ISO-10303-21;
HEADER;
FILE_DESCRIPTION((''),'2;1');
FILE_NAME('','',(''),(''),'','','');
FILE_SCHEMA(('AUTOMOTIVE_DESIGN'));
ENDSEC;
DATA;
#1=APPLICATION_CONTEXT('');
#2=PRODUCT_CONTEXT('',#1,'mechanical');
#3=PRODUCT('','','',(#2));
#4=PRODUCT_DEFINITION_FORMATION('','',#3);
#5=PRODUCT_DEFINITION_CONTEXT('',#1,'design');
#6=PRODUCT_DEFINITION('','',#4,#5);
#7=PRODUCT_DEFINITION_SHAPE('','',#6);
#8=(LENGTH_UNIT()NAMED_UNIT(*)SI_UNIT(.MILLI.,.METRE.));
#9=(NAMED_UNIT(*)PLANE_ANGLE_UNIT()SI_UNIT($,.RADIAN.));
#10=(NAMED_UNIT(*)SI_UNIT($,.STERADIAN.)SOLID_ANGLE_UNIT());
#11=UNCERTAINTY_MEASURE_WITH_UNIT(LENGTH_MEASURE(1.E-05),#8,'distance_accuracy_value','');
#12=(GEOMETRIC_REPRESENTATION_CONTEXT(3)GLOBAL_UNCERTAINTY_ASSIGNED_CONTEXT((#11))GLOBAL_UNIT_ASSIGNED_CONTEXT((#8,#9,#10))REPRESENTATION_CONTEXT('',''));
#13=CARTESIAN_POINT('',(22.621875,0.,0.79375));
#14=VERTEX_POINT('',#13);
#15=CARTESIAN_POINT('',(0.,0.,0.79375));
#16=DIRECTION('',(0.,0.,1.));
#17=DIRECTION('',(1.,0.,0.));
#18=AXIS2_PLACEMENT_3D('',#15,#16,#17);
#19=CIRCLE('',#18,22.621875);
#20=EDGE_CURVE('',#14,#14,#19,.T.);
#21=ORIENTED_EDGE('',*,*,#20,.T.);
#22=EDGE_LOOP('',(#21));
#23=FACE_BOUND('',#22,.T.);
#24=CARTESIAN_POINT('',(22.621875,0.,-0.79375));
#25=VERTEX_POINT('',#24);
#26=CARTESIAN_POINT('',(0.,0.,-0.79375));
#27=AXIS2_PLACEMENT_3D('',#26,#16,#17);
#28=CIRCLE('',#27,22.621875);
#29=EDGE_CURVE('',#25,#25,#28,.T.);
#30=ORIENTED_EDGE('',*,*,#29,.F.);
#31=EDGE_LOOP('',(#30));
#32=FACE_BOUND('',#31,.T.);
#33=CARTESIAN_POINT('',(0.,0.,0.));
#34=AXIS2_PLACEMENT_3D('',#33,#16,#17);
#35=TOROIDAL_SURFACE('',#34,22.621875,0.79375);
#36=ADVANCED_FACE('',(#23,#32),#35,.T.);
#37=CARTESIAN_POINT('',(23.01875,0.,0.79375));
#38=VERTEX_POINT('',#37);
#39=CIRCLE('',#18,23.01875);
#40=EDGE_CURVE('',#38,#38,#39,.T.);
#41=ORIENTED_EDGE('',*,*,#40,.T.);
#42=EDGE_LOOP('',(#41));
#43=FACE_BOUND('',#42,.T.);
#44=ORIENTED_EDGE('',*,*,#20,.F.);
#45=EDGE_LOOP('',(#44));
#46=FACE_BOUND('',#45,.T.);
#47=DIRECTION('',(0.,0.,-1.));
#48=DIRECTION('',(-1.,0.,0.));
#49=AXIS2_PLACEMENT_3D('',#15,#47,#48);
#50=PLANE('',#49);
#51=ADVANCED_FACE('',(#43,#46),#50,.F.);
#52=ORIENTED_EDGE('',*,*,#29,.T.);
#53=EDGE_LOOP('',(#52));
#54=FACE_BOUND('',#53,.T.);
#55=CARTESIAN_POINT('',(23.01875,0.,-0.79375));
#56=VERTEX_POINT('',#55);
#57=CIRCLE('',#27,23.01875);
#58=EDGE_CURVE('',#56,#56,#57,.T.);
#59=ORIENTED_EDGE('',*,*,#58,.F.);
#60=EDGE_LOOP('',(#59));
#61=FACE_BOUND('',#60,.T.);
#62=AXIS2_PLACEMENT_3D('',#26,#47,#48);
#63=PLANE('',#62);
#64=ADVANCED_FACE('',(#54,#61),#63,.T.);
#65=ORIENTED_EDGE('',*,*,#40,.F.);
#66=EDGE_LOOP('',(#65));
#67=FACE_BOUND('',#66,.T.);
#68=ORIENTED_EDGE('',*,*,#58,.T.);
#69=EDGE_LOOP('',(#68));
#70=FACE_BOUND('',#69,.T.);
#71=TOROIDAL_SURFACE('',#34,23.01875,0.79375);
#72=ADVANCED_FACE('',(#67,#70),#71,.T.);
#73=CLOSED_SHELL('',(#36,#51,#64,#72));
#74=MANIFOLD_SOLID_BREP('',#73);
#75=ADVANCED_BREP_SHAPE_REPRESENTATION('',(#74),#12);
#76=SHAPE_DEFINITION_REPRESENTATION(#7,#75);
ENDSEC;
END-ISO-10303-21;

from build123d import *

# Parameters (mm, degrees)
SKETCH1_R = 0.79375


with BuildPart() as part:
    # Sketch1 → Revolve1 (revolve)
    with BuildSketch(Plane(origin=(0, 0, 0), x_dir=(1, 0, 0), z_dir=(0, 1, 0))):
        with BuildLine():
            Line((22.621875, -0.79375), (23.01875, -0.79375))
            ThreePointArc((23.01875, -0.79375), (22.225, 0), (23.01875, 0.79375))
            Line((23.01875, 0.79375), (22.621875, 0.79375))
            ThreePointArc((22.621875, 0.79375), (21.828125, 0), (22.621875, -0.79375))
        make_face()
        with Locations((23.01875, 0)):
            Circle(SKETCH1_R)
    revolve(axis=Axis((0, 0, 0), (0, 0, -1)))


solid = part.part
